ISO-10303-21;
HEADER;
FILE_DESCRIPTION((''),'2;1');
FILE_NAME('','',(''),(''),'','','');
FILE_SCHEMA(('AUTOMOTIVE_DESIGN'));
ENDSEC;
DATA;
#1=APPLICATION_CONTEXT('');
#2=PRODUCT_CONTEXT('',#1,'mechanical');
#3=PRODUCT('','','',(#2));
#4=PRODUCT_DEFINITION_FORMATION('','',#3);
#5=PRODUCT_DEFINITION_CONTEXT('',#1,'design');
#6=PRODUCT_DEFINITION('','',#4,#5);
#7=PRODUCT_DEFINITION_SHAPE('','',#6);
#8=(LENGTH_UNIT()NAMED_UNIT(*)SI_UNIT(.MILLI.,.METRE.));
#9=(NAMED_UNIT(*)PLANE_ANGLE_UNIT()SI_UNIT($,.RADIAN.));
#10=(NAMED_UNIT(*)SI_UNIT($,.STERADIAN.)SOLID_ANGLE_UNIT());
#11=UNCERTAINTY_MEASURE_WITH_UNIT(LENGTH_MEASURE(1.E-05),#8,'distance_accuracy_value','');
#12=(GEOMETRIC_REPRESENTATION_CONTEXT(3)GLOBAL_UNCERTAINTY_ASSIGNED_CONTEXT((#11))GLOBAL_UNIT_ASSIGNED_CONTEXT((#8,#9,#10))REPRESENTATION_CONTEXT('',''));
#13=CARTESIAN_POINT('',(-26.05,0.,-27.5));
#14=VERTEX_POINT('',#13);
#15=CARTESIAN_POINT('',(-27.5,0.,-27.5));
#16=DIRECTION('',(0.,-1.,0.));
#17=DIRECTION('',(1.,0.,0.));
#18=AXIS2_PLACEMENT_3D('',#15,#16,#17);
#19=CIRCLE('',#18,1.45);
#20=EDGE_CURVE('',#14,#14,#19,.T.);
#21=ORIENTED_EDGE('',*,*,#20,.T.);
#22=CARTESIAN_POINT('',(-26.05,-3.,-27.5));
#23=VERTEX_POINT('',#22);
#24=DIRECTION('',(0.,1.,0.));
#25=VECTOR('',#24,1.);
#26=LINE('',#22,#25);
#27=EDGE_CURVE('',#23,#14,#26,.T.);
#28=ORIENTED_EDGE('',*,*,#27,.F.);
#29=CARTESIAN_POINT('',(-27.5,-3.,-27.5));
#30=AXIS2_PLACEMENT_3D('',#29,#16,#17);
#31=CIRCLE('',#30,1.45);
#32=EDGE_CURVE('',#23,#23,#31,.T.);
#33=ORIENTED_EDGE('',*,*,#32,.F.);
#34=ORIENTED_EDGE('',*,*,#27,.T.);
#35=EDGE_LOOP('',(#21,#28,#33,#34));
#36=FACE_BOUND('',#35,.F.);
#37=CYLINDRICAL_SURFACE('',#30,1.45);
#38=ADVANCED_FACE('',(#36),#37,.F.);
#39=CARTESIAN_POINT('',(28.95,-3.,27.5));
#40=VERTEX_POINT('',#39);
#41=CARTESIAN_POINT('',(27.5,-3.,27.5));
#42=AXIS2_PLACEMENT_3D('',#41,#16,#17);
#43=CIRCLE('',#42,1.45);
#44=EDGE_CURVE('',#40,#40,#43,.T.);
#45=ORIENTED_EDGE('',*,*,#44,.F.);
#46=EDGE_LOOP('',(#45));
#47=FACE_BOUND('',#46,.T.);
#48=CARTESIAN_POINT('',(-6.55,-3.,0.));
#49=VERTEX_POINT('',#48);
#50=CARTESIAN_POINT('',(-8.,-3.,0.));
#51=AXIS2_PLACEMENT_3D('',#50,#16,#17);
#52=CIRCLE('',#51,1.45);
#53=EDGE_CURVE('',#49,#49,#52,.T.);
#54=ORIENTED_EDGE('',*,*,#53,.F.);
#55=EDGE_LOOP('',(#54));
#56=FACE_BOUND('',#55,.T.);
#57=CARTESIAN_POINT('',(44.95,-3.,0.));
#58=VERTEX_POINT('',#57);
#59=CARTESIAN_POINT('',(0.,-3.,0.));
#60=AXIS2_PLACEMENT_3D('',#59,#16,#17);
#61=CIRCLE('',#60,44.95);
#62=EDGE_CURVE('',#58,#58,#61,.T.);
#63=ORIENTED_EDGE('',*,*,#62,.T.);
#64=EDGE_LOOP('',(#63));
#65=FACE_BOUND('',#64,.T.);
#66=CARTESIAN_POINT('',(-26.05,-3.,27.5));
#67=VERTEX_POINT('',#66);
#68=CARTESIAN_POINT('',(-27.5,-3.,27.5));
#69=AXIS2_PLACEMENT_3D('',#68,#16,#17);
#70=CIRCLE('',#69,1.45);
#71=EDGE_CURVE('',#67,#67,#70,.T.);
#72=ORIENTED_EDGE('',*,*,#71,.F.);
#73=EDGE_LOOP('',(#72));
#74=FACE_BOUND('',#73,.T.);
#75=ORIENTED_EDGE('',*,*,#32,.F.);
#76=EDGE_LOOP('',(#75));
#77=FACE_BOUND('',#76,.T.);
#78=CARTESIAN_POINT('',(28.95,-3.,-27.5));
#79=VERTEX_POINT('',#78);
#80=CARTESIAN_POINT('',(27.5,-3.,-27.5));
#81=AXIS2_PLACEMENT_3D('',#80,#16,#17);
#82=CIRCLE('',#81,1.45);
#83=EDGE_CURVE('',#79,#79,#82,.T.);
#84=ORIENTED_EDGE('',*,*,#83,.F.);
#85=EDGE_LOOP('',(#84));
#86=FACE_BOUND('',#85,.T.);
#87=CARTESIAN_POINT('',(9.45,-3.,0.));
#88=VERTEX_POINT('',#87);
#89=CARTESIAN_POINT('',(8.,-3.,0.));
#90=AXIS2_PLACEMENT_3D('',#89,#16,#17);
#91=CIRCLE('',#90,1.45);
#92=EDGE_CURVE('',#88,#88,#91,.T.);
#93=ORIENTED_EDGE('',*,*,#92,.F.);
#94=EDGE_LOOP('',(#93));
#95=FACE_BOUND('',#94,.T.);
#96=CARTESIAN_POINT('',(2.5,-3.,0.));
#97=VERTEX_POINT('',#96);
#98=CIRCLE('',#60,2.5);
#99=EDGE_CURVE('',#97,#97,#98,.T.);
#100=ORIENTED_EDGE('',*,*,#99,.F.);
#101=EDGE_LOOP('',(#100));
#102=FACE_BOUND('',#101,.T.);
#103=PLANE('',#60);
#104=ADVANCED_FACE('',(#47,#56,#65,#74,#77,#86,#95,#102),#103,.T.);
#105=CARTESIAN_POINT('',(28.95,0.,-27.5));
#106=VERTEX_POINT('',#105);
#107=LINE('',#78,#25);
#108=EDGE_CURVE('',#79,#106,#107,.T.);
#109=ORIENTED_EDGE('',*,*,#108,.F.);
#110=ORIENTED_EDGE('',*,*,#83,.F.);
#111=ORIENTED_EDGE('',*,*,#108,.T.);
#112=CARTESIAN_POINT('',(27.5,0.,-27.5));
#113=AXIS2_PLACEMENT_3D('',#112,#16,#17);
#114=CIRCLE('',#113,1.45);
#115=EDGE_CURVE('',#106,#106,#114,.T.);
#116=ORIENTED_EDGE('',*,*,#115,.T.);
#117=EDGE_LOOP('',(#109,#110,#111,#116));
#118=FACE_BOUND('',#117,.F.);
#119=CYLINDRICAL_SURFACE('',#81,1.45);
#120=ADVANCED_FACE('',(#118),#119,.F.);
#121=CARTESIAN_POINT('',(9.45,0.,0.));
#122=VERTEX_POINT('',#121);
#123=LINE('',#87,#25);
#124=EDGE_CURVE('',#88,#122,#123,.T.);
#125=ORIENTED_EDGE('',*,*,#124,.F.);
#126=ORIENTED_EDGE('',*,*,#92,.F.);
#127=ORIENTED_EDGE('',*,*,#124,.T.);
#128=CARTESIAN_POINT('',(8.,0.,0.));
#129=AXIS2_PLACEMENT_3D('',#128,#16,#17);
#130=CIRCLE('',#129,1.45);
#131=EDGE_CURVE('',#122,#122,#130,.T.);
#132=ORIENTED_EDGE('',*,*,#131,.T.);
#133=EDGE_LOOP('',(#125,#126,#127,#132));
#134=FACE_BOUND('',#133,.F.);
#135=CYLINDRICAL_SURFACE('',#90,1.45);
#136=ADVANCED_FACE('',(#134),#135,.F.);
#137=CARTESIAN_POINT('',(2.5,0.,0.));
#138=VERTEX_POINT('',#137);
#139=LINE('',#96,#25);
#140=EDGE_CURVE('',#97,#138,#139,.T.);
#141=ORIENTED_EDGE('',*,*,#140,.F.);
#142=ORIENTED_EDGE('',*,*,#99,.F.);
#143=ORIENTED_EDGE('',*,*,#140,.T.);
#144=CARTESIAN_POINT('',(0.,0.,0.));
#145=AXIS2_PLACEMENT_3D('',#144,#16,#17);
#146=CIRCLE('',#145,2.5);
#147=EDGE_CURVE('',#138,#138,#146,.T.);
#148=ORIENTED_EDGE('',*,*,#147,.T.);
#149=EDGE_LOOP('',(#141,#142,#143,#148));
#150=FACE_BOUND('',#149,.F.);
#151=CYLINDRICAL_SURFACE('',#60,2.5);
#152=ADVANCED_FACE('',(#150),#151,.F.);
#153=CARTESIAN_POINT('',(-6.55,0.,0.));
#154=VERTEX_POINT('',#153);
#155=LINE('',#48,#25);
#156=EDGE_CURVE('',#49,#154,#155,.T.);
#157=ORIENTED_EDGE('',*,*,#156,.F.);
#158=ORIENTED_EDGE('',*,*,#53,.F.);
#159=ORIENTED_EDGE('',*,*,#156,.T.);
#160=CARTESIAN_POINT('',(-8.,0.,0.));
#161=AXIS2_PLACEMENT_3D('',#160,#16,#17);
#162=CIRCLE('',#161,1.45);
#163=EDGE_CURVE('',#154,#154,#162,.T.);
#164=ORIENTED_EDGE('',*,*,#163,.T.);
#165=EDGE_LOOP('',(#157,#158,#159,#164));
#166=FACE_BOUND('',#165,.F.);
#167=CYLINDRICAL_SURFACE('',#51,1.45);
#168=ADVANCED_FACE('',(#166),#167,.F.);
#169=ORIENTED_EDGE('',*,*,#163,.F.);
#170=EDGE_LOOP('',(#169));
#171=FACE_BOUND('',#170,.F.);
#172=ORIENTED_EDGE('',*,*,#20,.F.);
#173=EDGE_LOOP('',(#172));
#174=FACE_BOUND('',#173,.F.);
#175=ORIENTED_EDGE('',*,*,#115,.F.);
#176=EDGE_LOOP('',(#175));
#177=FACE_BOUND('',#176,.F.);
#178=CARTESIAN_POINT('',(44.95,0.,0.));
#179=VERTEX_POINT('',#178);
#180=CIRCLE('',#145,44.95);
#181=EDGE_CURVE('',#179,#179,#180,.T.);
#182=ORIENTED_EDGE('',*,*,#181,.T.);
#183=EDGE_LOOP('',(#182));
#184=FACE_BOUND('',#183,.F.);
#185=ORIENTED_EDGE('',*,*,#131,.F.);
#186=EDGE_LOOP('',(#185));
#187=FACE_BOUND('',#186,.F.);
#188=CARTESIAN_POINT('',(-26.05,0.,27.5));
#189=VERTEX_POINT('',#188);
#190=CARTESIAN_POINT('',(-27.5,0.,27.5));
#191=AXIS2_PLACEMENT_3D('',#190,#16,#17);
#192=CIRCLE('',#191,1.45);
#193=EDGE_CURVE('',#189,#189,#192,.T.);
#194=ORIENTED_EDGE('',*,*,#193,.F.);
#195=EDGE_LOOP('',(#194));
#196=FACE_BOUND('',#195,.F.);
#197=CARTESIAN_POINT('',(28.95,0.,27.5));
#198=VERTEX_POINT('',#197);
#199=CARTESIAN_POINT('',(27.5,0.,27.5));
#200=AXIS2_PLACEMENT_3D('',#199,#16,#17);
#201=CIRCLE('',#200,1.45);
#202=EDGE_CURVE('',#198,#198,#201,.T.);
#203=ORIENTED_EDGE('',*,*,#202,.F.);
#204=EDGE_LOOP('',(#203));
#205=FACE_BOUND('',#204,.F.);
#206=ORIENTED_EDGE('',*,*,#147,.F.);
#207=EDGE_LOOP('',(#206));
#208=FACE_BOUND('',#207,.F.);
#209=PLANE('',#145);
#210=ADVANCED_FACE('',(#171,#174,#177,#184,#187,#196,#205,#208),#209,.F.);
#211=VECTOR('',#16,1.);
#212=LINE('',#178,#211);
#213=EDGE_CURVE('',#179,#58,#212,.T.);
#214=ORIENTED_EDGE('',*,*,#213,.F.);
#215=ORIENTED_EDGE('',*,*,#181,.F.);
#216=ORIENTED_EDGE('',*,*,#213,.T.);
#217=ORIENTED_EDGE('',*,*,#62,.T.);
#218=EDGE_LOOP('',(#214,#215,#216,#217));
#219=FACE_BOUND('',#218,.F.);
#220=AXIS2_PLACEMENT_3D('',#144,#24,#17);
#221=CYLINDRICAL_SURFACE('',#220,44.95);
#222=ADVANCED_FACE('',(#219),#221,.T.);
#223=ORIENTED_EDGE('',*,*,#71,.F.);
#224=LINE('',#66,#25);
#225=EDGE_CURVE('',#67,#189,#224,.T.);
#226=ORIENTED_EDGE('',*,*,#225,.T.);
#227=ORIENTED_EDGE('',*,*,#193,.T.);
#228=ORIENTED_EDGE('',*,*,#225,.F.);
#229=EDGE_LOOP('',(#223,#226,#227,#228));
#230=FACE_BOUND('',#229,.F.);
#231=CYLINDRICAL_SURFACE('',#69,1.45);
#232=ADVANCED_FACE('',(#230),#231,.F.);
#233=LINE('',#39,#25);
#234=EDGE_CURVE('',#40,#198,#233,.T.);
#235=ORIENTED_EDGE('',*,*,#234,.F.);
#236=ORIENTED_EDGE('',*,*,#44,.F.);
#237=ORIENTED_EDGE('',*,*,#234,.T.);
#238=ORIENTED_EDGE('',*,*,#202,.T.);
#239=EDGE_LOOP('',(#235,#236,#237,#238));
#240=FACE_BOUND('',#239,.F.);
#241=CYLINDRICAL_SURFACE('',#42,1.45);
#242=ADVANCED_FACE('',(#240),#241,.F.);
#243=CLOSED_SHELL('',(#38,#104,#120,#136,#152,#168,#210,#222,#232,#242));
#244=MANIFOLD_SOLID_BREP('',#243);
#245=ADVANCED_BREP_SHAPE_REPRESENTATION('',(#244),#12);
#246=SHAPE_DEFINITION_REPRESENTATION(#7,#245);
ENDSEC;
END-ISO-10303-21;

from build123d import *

# Parameters (mm, degrees)
F0_R     = 44.95
F1_DEPTH = 3
F2_R     = 1.45
F2_R_2   = 2.5
F3_DEPTH = 3.001
F4_R     = 1.45
F5_DEPTH = 3.001


with BuildPart() as f1:
    # F0 (on Front) → F1 (new body)
    with BuildSketch(Plane.XZ):
        Circle(F0_R)
    extrude(amount=F1_DEPTH)

    # F2 (on face) → F3 (cut, through all)
    with BuildSketch(Plane.XZ.offset(3)):
        with Locations((-8, 0)):
            Circle(F2_R)
        with Locations((8, 0)):
            Circle(F2_R)
        Circle(F2_R_2)
    extrude(amount=-F3_DEPTH, mode=Mode.SUBTRACT)

    # F4 (on face) → F5 (cut, through all)
    with BuildSketch(Plane.XZ.offset(3)):
        with Locations((-27.5, 27.5)):
            Circle(F4_R)
        with Locations((27.5, 27.5)):
            Circle(F4_R)
        with Locations((-27.5, -27.5)):
            Circle(F4_R)
        with Locations((27.5, -27.5)):
            Circle(F4_R)
    extrude(amount=-F5_DEPTH, mode=Mode.SUBTRACT)


solid = f1.part
